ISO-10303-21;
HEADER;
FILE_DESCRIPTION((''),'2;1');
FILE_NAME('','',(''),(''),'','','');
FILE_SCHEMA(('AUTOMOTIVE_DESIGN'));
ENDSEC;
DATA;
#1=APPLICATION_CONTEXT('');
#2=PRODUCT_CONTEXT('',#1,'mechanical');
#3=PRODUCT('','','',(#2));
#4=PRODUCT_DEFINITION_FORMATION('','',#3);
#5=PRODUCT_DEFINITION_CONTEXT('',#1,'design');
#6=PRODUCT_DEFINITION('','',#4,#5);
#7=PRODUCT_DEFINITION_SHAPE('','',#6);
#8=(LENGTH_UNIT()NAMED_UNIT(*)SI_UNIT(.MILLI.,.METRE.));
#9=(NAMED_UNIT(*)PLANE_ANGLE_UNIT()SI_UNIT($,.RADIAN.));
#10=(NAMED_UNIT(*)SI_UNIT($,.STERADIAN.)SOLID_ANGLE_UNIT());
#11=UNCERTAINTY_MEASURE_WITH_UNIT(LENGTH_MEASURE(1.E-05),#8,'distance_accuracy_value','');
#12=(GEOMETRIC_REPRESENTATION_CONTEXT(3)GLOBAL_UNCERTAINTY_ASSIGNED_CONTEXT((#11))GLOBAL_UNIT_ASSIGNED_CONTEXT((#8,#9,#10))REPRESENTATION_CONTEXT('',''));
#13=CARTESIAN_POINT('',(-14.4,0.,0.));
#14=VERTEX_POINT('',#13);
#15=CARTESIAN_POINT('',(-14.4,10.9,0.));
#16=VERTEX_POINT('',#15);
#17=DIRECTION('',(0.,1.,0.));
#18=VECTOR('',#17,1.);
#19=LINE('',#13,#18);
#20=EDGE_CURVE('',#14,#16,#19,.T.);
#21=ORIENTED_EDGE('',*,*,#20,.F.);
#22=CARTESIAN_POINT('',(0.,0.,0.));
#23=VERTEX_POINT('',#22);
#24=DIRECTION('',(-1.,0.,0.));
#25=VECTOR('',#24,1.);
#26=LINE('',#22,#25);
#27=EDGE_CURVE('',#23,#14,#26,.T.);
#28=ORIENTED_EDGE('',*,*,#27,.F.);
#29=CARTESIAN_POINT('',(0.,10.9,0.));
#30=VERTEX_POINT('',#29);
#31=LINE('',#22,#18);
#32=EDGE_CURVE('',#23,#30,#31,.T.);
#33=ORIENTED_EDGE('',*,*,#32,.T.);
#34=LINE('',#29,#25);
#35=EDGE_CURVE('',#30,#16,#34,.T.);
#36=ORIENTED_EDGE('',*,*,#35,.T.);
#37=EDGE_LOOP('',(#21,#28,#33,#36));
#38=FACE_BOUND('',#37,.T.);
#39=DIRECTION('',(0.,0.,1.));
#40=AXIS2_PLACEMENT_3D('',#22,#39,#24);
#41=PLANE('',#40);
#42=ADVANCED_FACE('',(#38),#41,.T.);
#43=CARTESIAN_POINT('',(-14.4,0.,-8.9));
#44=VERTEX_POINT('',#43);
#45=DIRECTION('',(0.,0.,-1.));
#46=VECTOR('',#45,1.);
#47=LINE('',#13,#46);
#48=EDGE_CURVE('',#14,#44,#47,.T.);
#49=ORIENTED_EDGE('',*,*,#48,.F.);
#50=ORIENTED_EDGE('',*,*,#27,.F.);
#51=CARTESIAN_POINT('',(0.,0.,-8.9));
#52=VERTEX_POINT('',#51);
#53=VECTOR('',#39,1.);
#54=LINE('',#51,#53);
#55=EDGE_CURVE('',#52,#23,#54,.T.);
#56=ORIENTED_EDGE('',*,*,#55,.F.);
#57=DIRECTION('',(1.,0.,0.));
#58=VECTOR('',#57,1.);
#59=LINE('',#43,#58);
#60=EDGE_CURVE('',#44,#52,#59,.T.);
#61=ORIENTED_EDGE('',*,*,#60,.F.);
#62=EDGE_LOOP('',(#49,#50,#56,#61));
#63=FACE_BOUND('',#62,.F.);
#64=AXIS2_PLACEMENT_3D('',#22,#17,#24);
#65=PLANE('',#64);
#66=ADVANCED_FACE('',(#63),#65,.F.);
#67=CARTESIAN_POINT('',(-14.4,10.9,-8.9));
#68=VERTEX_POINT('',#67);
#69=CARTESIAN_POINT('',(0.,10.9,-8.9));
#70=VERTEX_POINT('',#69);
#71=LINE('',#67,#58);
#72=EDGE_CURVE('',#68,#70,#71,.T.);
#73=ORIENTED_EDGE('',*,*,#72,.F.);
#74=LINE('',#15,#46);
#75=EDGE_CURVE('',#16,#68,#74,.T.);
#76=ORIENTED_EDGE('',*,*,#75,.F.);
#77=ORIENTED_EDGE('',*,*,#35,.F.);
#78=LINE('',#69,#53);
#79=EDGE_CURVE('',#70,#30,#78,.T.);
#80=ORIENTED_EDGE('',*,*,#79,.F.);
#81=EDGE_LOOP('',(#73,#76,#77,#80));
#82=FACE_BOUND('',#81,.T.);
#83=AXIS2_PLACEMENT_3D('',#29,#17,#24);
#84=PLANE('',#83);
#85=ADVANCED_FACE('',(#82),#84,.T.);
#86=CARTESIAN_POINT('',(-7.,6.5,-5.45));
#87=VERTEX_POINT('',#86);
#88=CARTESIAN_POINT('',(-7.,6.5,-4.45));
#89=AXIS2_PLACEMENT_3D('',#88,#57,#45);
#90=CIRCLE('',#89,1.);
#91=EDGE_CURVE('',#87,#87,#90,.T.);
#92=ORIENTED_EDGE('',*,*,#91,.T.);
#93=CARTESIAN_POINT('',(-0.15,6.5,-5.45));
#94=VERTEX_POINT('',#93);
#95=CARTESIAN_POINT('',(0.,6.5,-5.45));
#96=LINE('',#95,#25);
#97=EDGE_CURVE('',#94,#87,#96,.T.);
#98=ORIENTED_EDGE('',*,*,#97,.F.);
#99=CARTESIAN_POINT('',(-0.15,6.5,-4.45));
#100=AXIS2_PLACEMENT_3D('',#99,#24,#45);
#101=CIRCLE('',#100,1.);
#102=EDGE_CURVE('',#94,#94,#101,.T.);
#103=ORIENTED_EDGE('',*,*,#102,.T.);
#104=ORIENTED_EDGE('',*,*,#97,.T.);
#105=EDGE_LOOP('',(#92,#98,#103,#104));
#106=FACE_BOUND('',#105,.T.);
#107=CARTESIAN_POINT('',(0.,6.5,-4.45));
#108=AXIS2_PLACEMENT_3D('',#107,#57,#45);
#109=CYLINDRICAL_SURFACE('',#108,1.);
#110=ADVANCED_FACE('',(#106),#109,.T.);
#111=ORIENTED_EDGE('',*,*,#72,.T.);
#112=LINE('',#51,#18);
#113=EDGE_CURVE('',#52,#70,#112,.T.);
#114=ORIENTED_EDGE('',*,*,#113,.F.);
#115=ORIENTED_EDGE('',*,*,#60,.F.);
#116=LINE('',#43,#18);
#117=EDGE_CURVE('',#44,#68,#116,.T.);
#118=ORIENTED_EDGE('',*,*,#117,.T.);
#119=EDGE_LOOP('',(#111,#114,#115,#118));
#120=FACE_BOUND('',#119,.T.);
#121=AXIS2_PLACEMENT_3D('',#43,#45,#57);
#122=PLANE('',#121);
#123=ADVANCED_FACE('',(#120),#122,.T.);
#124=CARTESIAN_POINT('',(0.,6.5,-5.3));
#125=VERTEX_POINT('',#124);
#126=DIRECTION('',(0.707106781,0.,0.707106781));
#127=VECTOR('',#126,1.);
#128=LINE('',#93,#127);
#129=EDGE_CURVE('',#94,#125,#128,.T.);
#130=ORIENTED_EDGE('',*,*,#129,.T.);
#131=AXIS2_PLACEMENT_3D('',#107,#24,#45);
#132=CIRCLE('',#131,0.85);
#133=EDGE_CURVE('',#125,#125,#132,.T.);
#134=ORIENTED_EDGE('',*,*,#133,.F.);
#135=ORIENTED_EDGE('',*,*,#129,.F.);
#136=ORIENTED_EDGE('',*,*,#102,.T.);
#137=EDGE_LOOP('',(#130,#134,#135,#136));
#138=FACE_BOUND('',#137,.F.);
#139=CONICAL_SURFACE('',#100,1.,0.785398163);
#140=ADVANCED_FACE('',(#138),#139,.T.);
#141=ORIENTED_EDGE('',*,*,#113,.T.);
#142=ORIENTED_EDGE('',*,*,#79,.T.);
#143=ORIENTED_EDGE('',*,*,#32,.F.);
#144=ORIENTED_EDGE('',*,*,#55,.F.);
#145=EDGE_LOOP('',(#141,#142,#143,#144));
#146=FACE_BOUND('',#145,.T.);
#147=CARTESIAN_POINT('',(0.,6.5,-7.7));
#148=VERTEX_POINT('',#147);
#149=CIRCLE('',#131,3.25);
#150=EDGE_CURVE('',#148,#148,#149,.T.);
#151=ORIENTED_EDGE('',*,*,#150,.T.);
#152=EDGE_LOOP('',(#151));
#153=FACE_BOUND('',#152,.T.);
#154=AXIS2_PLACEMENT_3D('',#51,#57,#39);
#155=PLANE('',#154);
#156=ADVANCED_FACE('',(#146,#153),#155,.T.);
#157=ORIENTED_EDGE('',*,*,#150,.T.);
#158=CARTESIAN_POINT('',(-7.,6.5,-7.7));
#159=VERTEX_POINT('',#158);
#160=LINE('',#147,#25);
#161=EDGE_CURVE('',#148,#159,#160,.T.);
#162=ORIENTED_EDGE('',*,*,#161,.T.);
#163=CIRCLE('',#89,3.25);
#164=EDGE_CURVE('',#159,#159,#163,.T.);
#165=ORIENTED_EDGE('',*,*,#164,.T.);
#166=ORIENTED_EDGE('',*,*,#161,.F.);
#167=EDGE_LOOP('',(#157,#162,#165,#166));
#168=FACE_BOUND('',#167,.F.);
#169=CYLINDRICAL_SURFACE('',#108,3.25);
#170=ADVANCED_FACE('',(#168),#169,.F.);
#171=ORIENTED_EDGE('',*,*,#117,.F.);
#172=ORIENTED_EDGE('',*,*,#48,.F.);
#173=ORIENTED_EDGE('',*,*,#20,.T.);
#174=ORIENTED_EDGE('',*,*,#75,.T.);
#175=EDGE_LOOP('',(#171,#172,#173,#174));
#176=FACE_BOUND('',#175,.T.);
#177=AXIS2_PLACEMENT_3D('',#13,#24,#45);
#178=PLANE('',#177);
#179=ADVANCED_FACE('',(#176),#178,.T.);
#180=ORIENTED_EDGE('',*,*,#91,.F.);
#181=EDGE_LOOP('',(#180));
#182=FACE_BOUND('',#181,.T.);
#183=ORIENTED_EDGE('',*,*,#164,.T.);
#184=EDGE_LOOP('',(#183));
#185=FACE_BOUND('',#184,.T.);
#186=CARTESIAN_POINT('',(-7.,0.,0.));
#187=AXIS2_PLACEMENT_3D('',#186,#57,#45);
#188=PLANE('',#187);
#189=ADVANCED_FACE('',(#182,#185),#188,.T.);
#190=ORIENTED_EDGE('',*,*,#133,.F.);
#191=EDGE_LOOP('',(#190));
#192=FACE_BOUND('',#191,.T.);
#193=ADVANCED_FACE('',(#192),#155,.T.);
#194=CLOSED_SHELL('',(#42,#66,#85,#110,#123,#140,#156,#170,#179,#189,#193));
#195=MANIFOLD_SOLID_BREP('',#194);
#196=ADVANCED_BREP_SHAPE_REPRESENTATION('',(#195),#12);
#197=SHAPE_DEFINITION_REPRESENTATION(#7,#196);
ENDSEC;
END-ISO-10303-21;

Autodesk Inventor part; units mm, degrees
ref_plane "YZ Plane" through (0, 0, 0) normal (1, 0, 0) x (0, 1, 0)
ref_plane "XZ Plane" through (0, 0, 0) normal (0, 1, 0) x (-1, 0, 0)
ref_plane "XY Plane" through (0, 0, 0) normal (0, 0, 1) x (1, 0, 0)
sketch "Szkic1" plane through (0, 0, 0) normal (0, 1, 0) x (-1, 0, 0)
  line L0 (14.4, -8.9) -> (0, -8.9)
  line L1 (0, -8.9) -> (0, 0)
  line L2 (0, 0) -> (14.4, 0)
  line L3 (14.4, 0) -> (14.4, -8.9)
  dimension "d0" = 8.9
  dimension "d1" = 14.4
extrude "Wyciągnięcie proste1" add sketch "Szkic1" along normal blind 10.9
sketch "Szkic2" plane through (0, 0, 0) normal (1, 0, 0) x (0, 0, -1)
  line L0 (0, 10.9) -> (8.9, 10.9) projected
  line L1 (4.45, 10.9) -> (4.45, 0)
  line L2 (0, 0) -> (8.9, 0) projected
  circle A0 centre (4.45, 6.5) radius 1
  circle A1 centre (4.45, 6.5) radius 3.25
  dimension "d4" = 2
  dimension "d5" = 6.5
  dimension "d6" = 6.5
extrude "Wyciągnięcie proste2" cut sketch "Szkic2" against normal blind 7 contours A1 L1 A0 | L1 A0 A1
chamfer "Faza1" distance 0.15 angle 45 1 edges at (0, 6.5, -3.45)
equation "\"d0\" = input_a"
equation "\"d1\" = input_b"
equation "\"d2\" = input_wys"
equation "\"gniazdo_M2_glebokosc\" = 1.5"
equation "\"gniazdo_M2_D1\" = 4.5"
equation "\"gniazdo_M2_D2\" = 2.6"
equation "\"insert_D\" = 2.9"
equation "\"insert_glebokosc\" = 7"
equation "\"podstawa_wys\" = 2"
equation "\"podstawa_otwory_montazowe_poz_x\" = 4"
equation "\"podstawa_otwory_montazowe_poz_y\" = 4"
equation "\"podstawa_zaokraglenie\" = 3"
equation "\"obudowa_wys\" = 45"
equation "\"obudowa_grubosc\" = 2"
equation "\"obudowa_kontrolki_a\" = 38"
equation "\"obudowa_otwory_montazowe_poz_x\" = 4"
equation "\"obudowa_otwory_montazowe_poz_y\" = 4"
equation "\"obudowa_otwory_montazowe_material_x\" = 8"
equation "\"obudowa_otwory_montazowe_material_y\" = 8"
equation "\"obudowa_zaokraglenie\" = 3"
equation "\"obudowa_otwory_io1_D\" = 12"
equation "\"obudowa_otwory_io1_wys\" = 25"
equation "\"obudowa_otwory_io1_poz\" = 55"
equation "\"obudowa_otwory_io2_D\" = 12"
equation "\"obudowa_otwory_io2_wys\" = 25"
equation "\"obudowa_otwory_io2_poz\" = 38"
equation "\"obudowa_otwory_pot_D\" = 7.2"
equation "\"input_a\" = 8.9"
equation "\"input_b\" = 14.4"
equation "\"input_wys\" = 10.9"
equation "\"obudowa_MTS_otwor_D\" = 6.2"
equation "\"obudowa_pot_poz_y\" = 15"
equation "\"obudowa_s_poz_x\" = 78"
equation "\"obudowa_s_D\" = 6.2"
equation "\"obudowa_s_poz_y\" = 15"
equation "\"obudowa_s_rozstaw_y\" = 16"
equation "\"pcb_rozstaw_x\" = 92"
equation "\"pcb_rozstaw_y\" = 58"
equation "\"obudowa_pcb_grubosc_scianki\" = 6"
equation "\"pcb_grubosc_scianki\" = 6"
equation "\"pcb_poz_y\" = 29"
equation "\"pcb_wys_bloku\" = 35"
equation "\"obudowa_footswitch_poz_y\" = 68"
equation "\"obudowa_footswitch_poz_x\" = 35"
equation "\"obudowa_footswitch_D\" = 12.3"
equation "\"obudowa_led_indicator_D\" = 3.5"
equation "\"obudowa_led_indicator_poz_x\" = 55"
equation "\"obudowa_podkladka_otwory\" = 4"
equation "\"podstawa_uchwyt_grubosc\" = 3"
equation "\"podstawa_uchwyt_wysokosc\" = 15"
equation "\"obudowa_uchwyt_grubosc\" = 2"
equation "\"pbudowa_uchwyt_podciecie_wys\" = 1.5"
equation "\"obudowa_uchwyt_wysokosc_wew\" = 26.3"
equation "\"obudowa_uchwyt_szerokosc_wew\" = 17.5"
equation "\"obudowa_gniazdo_poz\" = 25"
equation "\"obudowa_uchwyt_kolnierz_wys\" = 55"
equation "\"obudowa_uchwyt_poz_y\" = 2"
equation "\"obudowa_uchwyt_poz_z\" = 3"
equation "\"obudowa_podciecie_inout_wys\" = 6"
equation "\"obudowa_podciecie_logo_wys\" = 34"
equation "\"obudowa_podciecie_logo_szerokosc\" = 25"
equation "\"obudowa_pot_pozycjonowanie_wys\" = 13"
equation "\"obudowa_pot_pozycjonowanie_szerokosc\" = 2.8"
equation "\"obudowa_pot_pozycjonowanie_glebokosc\" = 1.4"
equation "\"obudowa_led_mocowanie_wys\" = 6"
equation "\"obudowa_led_mocowanie_poz\" = 46"
equation "\"obudowa_led_mocowanie_D\" = 5.5"
equation "\"obudowa_led_mocowanie_grubosc\" = 8"
equation "\"holder_led_grubosc\" = 2.5"
equation "\"holder_led_dlugosc\" = 28"
equation "\"holder_led_uchwyt_D\" = 5"
equation "\"holder_led_uchwyt_wysokosc\" = 5"
equation "\"holder_led_uchwyt_szerokosc\" = 8"
equation "\"holder_gniazdo_b\" = 5"
equation "\"holder_gniazdo_grubosc\" = 2.5"
equation "\"holder_gniazdo_a\" = 28"
equation "\"podstawa_mocowanie_DC_a\" = 7"
equation "\"podstawa_mocowanie_DC_b\" = 8.9"
equation "\"podstawa_mocowanie_DC_wys\" = 6"
equation "\"holder_gniazdo_odleglosc_miedzy_ramionami\" = 9.2"
equation "\"holder_gniazdo_grubosc_ramion\" = 1.5"
equation "\"holder_gniazdo_wys\" = 8"
equation "\"holder_gniazdo_uchwyt_poz\" = 5"
properties part number "9V_input" material "Polipropylen"
